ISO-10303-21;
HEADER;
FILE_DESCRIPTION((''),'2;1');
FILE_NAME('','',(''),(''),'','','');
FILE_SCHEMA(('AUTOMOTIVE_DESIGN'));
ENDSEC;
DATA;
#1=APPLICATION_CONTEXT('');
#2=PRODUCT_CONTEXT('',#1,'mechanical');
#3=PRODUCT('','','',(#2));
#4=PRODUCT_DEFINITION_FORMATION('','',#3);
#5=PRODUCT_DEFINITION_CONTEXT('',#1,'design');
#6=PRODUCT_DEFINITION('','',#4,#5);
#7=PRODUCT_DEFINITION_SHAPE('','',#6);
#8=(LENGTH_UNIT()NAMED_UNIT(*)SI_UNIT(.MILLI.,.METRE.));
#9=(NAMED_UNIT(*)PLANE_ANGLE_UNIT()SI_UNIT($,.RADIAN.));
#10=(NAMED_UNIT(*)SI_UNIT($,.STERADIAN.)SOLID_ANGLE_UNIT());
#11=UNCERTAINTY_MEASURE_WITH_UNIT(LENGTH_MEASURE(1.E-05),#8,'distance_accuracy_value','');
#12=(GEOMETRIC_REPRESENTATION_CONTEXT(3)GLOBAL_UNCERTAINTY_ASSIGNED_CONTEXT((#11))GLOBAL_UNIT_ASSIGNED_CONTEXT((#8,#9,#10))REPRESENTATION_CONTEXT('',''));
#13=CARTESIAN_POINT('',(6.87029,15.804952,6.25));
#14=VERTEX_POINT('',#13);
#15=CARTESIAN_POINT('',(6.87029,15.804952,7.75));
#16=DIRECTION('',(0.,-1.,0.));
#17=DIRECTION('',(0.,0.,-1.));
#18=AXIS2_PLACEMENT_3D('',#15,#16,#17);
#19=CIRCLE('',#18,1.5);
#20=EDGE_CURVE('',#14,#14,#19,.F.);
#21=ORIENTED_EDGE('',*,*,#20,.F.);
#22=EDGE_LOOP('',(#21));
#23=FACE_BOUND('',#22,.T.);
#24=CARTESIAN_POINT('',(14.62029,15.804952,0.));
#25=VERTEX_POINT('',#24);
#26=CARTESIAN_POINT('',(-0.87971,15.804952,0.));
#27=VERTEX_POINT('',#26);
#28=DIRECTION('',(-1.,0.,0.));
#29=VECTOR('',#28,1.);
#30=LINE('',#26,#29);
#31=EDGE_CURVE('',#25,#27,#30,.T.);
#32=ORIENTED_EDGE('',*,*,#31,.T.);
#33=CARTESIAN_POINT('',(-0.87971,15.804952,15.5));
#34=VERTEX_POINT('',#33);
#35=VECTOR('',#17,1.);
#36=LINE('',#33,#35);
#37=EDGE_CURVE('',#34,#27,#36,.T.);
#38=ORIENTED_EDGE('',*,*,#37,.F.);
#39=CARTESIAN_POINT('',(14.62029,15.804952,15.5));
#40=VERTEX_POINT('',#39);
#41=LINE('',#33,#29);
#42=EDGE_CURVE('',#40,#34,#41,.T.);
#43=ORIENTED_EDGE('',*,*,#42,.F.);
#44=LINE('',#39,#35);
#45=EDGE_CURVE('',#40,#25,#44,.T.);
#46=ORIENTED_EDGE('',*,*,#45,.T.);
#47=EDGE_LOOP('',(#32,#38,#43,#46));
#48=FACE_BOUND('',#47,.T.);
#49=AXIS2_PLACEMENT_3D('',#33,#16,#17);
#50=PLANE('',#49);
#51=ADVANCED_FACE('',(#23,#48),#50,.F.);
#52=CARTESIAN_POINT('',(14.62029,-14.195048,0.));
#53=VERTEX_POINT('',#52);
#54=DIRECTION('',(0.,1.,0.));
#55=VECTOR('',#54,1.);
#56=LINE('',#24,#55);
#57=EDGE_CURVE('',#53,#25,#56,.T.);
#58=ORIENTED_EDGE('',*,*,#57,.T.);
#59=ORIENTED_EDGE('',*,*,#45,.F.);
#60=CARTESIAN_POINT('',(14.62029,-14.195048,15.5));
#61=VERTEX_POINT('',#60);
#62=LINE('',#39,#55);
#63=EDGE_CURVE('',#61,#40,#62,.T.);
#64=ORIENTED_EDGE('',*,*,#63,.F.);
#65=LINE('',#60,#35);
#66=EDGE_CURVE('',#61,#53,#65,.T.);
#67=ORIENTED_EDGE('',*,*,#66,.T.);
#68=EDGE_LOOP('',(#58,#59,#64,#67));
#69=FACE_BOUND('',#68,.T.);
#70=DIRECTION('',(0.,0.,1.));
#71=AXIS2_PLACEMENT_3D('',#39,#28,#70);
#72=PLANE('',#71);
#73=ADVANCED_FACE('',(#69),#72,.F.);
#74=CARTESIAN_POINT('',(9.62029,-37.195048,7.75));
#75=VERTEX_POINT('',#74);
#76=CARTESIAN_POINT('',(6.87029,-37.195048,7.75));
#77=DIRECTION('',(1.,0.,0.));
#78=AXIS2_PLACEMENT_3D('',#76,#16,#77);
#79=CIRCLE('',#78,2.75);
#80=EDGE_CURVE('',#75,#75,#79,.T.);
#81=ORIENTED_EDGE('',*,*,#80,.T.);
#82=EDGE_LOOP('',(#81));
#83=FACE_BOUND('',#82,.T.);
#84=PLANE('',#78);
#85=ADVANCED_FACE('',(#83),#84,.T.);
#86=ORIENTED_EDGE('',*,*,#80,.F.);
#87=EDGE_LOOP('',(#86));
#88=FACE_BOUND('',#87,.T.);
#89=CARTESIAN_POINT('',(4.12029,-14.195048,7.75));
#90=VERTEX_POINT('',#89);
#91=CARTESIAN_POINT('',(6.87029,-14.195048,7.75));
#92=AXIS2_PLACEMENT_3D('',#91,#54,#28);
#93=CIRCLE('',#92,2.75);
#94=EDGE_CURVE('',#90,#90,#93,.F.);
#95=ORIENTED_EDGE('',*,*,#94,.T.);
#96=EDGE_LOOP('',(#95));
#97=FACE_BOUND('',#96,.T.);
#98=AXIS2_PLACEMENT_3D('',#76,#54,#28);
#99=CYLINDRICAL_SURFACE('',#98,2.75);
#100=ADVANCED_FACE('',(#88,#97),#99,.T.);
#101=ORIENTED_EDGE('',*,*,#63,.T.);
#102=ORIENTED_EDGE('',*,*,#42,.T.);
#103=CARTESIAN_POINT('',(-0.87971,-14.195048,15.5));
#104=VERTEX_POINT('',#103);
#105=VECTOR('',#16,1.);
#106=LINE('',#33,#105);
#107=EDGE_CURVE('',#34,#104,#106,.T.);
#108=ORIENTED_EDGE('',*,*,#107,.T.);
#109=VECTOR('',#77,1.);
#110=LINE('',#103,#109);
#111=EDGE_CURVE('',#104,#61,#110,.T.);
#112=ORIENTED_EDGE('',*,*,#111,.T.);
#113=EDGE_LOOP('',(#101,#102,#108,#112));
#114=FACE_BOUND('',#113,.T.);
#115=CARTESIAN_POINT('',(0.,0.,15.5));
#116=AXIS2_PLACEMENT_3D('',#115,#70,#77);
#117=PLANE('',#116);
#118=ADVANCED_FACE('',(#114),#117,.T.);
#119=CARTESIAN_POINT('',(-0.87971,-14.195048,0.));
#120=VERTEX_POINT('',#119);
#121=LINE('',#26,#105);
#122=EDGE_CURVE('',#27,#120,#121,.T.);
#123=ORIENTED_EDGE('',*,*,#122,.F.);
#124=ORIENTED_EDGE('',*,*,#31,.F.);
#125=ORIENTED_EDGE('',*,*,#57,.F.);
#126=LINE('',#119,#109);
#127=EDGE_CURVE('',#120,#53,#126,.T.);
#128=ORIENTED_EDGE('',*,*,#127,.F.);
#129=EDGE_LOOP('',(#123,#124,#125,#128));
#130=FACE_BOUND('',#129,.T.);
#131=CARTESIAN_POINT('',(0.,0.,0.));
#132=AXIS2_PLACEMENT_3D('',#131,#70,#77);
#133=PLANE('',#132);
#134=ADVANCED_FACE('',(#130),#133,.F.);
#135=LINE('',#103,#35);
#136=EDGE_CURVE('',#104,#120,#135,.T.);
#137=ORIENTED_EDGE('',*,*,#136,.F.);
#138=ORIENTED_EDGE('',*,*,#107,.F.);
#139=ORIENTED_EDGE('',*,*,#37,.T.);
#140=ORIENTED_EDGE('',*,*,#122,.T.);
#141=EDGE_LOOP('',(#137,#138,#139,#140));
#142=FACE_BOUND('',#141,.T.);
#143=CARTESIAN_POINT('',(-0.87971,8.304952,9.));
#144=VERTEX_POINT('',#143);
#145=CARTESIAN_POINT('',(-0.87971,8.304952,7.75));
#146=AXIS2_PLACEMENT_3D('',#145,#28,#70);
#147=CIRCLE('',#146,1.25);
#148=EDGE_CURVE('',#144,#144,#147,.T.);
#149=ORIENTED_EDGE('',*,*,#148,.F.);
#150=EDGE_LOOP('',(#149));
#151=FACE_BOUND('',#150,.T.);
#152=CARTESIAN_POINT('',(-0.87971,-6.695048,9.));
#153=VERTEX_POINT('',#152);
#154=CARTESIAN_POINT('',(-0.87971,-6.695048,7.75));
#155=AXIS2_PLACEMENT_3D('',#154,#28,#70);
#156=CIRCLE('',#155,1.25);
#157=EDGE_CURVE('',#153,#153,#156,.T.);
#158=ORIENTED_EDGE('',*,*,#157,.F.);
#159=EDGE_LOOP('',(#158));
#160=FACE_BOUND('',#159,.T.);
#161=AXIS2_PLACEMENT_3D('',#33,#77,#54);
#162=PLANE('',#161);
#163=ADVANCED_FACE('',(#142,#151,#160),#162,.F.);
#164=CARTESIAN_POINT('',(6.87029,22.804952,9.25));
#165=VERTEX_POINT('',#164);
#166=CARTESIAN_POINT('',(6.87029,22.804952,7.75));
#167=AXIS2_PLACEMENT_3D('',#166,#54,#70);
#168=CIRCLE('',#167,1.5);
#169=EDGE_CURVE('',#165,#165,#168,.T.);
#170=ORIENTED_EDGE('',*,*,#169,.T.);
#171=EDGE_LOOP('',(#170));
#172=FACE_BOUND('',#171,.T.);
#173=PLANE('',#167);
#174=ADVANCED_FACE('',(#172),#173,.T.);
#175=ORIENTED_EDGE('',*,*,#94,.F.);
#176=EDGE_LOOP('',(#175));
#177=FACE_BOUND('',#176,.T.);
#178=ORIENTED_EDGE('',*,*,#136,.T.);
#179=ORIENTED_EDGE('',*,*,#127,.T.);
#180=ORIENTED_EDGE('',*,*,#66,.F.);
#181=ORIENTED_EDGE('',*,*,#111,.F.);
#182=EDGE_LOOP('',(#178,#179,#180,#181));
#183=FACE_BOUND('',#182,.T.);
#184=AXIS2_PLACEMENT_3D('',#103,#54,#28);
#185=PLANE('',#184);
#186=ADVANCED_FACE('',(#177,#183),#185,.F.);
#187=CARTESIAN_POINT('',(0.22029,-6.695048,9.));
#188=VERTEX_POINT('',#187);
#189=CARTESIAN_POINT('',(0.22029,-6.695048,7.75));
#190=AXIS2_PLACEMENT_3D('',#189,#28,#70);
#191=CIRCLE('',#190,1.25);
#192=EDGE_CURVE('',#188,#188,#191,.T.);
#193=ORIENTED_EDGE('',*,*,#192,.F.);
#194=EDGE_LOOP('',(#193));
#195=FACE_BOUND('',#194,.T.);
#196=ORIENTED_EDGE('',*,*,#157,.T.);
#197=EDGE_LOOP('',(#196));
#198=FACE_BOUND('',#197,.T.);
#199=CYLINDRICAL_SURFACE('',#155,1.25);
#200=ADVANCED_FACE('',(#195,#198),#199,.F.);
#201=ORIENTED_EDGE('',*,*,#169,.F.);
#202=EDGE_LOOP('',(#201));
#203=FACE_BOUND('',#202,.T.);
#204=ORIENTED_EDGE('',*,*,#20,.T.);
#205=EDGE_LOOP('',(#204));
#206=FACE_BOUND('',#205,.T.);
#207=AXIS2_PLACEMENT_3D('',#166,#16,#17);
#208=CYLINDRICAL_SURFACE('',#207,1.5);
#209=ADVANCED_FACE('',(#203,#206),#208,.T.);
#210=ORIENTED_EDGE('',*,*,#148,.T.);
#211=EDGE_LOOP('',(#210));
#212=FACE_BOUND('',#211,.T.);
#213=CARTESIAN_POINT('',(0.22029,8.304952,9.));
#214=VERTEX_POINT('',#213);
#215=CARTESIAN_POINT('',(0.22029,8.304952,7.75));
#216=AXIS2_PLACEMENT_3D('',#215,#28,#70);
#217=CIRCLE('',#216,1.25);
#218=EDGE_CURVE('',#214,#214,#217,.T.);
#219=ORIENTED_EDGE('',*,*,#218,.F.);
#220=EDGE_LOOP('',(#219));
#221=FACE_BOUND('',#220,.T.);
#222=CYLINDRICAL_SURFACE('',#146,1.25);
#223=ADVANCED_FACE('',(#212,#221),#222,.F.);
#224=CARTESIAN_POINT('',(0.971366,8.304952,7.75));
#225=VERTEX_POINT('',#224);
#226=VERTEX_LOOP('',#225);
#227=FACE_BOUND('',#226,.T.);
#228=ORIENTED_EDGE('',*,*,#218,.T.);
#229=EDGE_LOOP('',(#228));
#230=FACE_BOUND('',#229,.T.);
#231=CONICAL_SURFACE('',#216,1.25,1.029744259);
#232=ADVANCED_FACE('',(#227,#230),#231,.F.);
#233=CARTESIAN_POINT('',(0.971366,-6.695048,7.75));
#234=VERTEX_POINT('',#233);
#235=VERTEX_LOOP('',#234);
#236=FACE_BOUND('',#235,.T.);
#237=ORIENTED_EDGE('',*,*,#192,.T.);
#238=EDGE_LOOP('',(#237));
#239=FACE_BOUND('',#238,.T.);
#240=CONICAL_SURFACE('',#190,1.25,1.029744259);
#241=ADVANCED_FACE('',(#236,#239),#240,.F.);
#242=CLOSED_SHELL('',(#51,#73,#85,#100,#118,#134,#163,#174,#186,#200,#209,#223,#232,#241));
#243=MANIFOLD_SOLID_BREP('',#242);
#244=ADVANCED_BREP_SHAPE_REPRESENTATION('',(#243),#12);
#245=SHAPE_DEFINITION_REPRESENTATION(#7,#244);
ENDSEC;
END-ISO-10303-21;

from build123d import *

# Parameters (mm, degrees)
ESBO_O2_W                                   = 15.5
ESBO_O2_H                                   = 30
RESSALTO_EXTRUS_O1_DEPTH                    = 15.5
ESBO_O3_R                                   = 1.5
RESSALTO_EXTRUS_O2_DEPTH                    = 7
ESBO_O4_R                                   = 2.75
RESSALTO_EXTRUS_O3_DEPTH                    = 23
BROCA_DE_ROSQUEAR_PARA_TARRAXA_DE_M31_D     = 2.5
BROCA_DE_ROSQUEAR_PARA_TARRAXA_DE_M31_DEPTH = 1.1
BROCA_DE_ROSQUEAR_PARA_TARRAXA_DE_M31_TIP   = 0.751075774


with BuildPart() as part:
    # Esboço2 → Ressalto-extrusão1 (new body)
    with BuildSketch(Plane.XY):
        with Locations((6.870290308, 0.804951604)):
            Rectangle(ESBO_O2_W, ESBO_O2_H)
    extrude(amount=RESSALTO_EXTRUS_O1_DEPTH)

    # Esboço3 → Ressalto-extrusão2 (add)
    with BuildSketch(Plane(origin=(0, 15.804951604, 0), x_dir=(1, 0, 0), z_dir=(0, 1, 0))):
        with Locations(Location((6.870290308, -7.75, 0), (0, 0, 90))):
            Circle(ESBO_O3_R)
    extrude(amount=RESSALTO_EXTRUS_O2_DEPTH)

    # Esboço4 → Ressalto-extrusão3 (add)
    with BuildSketch(Plane.XZ.offset(14.195048396)):
        with Locations(Location((6.870290308, 7.75, 0), (0, 0, 180))):
            Circle(ESBO_O4_R)
    extrude(amount=RESSALTO_EXTRUS_O3_DEPTH)

    # Broca de rosquear para tarraxa de M31
    with Locations(Plane(origin=(-0.879709692, 8.304951604, 7.75), x_dir=(0, -1, 0), z_dir=(-1, 0, 0))):
        with Locations((0, 0), (15, 0)):
            Hole(BROCA_DE_ROSQUEAR_PARA_TARRAXA_DE_M31_D / 2, depth=BROCA_DE_ROSQUEAR_PARA_TARRAXA_DE_M31_DEPTH)
            with Locations((0, 0, -(BROCA_DE_ROSQUEAR_PARA_TARRAXA_DE_M31_DEPTH + BROCA_DE_ROSQUEAR_PARA_TARRAXA_DE_M31_TIP / 2))):  # 118° drill point
                Cone(0, BROCA_DE_ROSQUEAR_PARA_TARRAXA_DE_M31_D / 2, BROCA_DE_ROSQUEAR_PARA_TARRAXA_DE_M31_TIP, mode=Mode.SUBTRACT)


solid = part.part
